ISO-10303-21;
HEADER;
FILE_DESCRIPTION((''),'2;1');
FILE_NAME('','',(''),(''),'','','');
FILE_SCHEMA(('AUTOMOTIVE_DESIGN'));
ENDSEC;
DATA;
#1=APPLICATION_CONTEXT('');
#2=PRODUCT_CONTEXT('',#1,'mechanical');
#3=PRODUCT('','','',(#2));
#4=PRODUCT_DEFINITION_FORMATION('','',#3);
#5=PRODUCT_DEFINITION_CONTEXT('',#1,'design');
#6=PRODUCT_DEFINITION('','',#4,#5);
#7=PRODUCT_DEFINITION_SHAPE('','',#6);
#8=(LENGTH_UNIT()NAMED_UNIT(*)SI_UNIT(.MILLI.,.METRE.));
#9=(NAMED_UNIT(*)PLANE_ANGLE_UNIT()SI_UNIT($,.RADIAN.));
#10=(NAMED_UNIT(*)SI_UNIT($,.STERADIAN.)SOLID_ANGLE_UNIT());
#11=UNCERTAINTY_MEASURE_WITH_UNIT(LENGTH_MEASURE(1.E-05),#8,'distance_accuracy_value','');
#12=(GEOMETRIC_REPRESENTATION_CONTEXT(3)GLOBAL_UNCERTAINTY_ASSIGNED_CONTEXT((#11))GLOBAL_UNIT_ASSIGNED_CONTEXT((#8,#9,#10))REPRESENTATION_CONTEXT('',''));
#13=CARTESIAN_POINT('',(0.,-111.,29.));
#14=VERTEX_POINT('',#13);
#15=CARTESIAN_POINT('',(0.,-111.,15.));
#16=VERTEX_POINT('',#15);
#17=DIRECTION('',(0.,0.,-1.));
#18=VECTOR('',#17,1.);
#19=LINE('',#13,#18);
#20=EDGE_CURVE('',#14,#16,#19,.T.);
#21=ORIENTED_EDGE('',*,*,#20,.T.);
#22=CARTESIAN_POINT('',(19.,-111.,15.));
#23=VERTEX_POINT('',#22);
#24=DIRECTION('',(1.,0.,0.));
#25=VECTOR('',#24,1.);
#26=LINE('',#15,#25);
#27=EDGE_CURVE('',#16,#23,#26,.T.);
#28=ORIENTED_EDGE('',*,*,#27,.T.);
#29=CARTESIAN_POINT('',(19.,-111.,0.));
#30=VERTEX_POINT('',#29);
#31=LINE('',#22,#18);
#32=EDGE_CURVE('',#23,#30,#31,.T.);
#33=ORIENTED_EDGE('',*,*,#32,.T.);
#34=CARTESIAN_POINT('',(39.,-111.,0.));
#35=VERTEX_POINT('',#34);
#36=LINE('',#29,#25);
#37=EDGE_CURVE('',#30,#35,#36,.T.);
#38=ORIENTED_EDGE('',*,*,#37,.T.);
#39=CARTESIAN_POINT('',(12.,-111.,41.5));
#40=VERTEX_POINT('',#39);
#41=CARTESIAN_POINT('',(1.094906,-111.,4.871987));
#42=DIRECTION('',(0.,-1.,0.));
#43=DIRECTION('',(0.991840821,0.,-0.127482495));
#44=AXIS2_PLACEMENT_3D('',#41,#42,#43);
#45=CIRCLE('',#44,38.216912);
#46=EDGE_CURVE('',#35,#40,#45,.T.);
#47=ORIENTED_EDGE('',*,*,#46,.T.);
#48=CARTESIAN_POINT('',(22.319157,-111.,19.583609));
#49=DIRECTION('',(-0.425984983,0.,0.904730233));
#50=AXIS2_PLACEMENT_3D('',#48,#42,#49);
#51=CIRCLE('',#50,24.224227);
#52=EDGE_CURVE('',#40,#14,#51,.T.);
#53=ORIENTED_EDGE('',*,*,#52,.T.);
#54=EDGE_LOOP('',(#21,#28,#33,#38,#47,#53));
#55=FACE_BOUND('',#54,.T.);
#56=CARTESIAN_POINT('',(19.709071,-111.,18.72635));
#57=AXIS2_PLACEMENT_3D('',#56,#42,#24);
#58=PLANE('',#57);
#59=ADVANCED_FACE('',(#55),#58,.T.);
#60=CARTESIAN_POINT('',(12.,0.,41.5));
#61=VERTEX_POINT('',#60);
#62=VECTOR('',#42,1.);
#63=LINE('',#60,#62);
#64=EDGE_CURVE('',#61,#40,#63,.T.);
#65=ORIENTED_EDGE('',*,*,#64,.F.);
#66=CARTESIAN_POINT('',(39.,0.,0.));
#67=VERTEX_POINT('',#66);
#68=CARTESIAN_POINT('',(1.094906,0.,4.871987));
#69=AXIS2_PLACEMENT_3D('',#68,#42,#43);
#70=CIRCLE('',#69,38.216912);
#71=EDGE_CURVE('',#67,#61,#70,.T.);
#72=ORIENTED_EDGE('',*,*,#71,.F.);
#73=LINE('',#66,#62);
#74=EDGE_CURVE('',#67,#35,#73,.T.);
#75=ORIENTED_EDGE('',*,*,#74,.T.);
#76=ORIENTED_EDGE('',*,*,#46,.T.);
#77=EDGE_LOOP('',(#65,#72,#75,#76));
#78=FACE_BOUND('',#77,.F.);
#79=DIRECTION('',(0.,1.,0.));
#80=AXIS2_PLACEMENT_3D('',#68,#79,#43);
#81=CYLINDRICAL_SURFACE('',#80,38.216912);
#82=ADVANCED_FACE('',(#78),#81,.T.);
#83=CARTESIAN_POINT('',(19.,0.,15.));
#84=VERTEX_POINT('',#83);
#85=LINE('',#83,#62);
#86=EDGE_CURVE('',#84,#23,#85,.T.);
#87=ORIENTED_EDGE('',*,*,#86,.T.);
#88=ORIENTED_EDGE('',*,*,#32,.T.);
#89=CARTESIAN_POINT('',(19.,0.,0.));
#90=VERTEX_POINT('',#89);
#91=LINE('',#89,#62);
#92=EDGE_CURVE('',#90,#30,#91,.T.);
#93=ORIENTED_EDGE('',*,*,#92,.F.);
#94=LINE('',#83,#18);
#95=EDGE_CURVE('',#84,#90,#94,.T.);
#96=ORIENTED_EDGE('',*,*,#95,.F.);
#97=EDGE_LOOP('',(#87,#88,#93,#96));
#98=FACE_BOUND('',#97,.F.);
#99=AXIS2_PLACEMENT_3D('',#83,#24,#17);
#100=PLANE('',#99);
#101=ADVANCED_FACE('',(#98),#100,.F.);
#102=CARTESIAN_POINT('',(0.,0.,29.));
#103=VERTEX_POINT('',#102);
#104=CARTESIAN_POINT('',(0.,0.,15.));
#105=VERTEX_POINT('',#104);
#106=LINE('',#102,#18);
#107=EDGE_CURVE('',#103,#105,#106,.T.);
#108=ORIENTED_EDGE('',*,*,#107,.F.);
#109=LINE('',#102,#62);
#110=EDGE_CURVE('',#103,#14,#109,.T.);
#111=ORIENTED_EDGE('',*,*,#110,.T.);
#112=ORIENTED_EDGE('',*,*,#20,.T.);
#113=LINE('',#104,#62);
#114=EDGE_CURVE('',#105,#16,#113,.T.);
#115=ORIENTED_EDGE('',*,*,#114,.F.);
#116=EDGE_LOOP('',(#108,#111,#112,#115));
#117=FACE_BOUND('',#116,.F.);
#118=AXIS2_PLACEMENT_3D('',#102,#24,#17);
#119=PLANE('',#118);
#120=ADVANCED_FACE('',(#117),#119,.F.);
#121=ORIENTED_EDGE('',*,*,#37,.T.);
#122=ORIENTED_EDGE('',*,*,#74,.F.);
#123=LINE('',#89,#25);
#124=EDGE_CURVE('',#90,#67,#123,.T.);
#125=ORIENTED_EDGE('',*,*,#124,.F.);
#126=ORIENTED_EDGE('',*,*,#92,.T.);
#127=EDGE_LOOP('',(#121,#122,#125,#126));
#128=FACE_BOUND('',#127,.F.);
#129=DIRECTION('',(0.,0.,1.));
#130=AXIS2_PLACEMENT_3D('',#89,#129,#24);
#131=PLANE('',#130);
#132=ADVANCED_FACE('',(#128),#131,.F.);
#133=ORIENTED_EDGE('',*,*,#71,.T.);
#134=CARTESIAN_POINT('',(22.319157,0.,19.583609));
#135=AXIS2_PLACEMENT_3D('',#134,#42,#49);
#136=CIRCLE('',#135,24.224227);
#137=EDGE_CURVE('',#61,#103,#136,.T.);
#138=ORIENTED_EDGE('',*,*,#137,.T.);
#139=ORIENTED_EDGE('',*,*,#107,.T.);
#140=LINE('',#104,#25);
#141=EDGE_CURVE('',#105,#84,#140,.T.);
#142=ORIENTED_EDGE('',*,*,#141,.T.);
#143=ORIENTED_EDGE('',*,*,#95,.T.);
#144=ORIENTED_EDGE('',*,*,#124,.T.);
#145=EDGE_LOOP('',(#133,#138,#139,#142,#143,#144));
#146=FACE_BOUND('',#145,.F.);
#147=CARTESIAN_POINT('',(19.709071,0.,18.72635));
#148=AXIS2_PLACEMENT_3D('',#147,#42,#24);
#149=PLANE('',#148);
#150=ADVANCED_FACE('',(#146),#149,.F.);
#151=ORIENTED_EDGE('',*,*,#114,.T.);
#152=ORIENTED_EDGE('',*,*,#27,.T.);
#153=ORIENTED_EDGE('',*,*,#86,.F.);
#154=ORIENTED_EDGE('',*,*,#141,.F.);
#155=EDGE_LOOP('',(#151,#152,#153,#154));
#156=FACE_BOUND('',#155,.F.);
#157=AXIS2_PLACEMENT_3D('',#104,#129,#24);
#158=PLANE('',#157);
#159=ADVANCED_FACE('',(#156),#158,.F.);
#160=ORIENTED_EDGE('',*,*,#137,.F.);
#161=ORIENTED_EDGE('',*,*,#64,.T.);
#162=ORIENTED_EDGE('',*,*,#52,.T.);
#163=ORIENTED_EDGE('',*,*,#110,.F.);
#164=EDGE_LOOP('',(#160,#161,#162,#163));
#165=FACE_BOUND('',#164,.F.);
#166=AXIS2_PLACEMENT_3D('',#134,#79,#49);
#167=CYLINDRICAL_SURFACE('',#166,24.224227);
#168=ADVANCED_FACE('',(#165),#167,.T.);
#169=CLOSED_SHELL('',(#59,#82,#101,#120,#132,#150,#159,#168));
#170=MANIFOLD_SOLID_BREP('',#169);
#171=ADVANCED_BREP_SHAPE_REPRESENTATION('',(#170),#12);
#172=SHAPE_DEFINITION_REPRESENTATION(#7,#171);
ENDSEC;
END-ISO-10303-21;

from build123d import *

# Parameters (mm, degrees)
F1_DEPTH = 111


with BuildPart() as f1:
    # F0 (on Front) → F1 (new body)
    with BuildSketch(Plane.XZ):
        with BuildLine():
            Line((0, 29), (0, 15))
            Line((0, 15), (19, 15))
            Line((19, 15), (19, 0))
            Line((19, 0), (39, 0))
            ThreePointArc((39, 0), (33.128812, 25.713323), (12, 41.5))
            ThreePointArc((12, 41.5), (4.844107, 36.359658), (0, 29))
        make_face()
    extrude(amount=F1_DEPTH)


solid = f1.part
